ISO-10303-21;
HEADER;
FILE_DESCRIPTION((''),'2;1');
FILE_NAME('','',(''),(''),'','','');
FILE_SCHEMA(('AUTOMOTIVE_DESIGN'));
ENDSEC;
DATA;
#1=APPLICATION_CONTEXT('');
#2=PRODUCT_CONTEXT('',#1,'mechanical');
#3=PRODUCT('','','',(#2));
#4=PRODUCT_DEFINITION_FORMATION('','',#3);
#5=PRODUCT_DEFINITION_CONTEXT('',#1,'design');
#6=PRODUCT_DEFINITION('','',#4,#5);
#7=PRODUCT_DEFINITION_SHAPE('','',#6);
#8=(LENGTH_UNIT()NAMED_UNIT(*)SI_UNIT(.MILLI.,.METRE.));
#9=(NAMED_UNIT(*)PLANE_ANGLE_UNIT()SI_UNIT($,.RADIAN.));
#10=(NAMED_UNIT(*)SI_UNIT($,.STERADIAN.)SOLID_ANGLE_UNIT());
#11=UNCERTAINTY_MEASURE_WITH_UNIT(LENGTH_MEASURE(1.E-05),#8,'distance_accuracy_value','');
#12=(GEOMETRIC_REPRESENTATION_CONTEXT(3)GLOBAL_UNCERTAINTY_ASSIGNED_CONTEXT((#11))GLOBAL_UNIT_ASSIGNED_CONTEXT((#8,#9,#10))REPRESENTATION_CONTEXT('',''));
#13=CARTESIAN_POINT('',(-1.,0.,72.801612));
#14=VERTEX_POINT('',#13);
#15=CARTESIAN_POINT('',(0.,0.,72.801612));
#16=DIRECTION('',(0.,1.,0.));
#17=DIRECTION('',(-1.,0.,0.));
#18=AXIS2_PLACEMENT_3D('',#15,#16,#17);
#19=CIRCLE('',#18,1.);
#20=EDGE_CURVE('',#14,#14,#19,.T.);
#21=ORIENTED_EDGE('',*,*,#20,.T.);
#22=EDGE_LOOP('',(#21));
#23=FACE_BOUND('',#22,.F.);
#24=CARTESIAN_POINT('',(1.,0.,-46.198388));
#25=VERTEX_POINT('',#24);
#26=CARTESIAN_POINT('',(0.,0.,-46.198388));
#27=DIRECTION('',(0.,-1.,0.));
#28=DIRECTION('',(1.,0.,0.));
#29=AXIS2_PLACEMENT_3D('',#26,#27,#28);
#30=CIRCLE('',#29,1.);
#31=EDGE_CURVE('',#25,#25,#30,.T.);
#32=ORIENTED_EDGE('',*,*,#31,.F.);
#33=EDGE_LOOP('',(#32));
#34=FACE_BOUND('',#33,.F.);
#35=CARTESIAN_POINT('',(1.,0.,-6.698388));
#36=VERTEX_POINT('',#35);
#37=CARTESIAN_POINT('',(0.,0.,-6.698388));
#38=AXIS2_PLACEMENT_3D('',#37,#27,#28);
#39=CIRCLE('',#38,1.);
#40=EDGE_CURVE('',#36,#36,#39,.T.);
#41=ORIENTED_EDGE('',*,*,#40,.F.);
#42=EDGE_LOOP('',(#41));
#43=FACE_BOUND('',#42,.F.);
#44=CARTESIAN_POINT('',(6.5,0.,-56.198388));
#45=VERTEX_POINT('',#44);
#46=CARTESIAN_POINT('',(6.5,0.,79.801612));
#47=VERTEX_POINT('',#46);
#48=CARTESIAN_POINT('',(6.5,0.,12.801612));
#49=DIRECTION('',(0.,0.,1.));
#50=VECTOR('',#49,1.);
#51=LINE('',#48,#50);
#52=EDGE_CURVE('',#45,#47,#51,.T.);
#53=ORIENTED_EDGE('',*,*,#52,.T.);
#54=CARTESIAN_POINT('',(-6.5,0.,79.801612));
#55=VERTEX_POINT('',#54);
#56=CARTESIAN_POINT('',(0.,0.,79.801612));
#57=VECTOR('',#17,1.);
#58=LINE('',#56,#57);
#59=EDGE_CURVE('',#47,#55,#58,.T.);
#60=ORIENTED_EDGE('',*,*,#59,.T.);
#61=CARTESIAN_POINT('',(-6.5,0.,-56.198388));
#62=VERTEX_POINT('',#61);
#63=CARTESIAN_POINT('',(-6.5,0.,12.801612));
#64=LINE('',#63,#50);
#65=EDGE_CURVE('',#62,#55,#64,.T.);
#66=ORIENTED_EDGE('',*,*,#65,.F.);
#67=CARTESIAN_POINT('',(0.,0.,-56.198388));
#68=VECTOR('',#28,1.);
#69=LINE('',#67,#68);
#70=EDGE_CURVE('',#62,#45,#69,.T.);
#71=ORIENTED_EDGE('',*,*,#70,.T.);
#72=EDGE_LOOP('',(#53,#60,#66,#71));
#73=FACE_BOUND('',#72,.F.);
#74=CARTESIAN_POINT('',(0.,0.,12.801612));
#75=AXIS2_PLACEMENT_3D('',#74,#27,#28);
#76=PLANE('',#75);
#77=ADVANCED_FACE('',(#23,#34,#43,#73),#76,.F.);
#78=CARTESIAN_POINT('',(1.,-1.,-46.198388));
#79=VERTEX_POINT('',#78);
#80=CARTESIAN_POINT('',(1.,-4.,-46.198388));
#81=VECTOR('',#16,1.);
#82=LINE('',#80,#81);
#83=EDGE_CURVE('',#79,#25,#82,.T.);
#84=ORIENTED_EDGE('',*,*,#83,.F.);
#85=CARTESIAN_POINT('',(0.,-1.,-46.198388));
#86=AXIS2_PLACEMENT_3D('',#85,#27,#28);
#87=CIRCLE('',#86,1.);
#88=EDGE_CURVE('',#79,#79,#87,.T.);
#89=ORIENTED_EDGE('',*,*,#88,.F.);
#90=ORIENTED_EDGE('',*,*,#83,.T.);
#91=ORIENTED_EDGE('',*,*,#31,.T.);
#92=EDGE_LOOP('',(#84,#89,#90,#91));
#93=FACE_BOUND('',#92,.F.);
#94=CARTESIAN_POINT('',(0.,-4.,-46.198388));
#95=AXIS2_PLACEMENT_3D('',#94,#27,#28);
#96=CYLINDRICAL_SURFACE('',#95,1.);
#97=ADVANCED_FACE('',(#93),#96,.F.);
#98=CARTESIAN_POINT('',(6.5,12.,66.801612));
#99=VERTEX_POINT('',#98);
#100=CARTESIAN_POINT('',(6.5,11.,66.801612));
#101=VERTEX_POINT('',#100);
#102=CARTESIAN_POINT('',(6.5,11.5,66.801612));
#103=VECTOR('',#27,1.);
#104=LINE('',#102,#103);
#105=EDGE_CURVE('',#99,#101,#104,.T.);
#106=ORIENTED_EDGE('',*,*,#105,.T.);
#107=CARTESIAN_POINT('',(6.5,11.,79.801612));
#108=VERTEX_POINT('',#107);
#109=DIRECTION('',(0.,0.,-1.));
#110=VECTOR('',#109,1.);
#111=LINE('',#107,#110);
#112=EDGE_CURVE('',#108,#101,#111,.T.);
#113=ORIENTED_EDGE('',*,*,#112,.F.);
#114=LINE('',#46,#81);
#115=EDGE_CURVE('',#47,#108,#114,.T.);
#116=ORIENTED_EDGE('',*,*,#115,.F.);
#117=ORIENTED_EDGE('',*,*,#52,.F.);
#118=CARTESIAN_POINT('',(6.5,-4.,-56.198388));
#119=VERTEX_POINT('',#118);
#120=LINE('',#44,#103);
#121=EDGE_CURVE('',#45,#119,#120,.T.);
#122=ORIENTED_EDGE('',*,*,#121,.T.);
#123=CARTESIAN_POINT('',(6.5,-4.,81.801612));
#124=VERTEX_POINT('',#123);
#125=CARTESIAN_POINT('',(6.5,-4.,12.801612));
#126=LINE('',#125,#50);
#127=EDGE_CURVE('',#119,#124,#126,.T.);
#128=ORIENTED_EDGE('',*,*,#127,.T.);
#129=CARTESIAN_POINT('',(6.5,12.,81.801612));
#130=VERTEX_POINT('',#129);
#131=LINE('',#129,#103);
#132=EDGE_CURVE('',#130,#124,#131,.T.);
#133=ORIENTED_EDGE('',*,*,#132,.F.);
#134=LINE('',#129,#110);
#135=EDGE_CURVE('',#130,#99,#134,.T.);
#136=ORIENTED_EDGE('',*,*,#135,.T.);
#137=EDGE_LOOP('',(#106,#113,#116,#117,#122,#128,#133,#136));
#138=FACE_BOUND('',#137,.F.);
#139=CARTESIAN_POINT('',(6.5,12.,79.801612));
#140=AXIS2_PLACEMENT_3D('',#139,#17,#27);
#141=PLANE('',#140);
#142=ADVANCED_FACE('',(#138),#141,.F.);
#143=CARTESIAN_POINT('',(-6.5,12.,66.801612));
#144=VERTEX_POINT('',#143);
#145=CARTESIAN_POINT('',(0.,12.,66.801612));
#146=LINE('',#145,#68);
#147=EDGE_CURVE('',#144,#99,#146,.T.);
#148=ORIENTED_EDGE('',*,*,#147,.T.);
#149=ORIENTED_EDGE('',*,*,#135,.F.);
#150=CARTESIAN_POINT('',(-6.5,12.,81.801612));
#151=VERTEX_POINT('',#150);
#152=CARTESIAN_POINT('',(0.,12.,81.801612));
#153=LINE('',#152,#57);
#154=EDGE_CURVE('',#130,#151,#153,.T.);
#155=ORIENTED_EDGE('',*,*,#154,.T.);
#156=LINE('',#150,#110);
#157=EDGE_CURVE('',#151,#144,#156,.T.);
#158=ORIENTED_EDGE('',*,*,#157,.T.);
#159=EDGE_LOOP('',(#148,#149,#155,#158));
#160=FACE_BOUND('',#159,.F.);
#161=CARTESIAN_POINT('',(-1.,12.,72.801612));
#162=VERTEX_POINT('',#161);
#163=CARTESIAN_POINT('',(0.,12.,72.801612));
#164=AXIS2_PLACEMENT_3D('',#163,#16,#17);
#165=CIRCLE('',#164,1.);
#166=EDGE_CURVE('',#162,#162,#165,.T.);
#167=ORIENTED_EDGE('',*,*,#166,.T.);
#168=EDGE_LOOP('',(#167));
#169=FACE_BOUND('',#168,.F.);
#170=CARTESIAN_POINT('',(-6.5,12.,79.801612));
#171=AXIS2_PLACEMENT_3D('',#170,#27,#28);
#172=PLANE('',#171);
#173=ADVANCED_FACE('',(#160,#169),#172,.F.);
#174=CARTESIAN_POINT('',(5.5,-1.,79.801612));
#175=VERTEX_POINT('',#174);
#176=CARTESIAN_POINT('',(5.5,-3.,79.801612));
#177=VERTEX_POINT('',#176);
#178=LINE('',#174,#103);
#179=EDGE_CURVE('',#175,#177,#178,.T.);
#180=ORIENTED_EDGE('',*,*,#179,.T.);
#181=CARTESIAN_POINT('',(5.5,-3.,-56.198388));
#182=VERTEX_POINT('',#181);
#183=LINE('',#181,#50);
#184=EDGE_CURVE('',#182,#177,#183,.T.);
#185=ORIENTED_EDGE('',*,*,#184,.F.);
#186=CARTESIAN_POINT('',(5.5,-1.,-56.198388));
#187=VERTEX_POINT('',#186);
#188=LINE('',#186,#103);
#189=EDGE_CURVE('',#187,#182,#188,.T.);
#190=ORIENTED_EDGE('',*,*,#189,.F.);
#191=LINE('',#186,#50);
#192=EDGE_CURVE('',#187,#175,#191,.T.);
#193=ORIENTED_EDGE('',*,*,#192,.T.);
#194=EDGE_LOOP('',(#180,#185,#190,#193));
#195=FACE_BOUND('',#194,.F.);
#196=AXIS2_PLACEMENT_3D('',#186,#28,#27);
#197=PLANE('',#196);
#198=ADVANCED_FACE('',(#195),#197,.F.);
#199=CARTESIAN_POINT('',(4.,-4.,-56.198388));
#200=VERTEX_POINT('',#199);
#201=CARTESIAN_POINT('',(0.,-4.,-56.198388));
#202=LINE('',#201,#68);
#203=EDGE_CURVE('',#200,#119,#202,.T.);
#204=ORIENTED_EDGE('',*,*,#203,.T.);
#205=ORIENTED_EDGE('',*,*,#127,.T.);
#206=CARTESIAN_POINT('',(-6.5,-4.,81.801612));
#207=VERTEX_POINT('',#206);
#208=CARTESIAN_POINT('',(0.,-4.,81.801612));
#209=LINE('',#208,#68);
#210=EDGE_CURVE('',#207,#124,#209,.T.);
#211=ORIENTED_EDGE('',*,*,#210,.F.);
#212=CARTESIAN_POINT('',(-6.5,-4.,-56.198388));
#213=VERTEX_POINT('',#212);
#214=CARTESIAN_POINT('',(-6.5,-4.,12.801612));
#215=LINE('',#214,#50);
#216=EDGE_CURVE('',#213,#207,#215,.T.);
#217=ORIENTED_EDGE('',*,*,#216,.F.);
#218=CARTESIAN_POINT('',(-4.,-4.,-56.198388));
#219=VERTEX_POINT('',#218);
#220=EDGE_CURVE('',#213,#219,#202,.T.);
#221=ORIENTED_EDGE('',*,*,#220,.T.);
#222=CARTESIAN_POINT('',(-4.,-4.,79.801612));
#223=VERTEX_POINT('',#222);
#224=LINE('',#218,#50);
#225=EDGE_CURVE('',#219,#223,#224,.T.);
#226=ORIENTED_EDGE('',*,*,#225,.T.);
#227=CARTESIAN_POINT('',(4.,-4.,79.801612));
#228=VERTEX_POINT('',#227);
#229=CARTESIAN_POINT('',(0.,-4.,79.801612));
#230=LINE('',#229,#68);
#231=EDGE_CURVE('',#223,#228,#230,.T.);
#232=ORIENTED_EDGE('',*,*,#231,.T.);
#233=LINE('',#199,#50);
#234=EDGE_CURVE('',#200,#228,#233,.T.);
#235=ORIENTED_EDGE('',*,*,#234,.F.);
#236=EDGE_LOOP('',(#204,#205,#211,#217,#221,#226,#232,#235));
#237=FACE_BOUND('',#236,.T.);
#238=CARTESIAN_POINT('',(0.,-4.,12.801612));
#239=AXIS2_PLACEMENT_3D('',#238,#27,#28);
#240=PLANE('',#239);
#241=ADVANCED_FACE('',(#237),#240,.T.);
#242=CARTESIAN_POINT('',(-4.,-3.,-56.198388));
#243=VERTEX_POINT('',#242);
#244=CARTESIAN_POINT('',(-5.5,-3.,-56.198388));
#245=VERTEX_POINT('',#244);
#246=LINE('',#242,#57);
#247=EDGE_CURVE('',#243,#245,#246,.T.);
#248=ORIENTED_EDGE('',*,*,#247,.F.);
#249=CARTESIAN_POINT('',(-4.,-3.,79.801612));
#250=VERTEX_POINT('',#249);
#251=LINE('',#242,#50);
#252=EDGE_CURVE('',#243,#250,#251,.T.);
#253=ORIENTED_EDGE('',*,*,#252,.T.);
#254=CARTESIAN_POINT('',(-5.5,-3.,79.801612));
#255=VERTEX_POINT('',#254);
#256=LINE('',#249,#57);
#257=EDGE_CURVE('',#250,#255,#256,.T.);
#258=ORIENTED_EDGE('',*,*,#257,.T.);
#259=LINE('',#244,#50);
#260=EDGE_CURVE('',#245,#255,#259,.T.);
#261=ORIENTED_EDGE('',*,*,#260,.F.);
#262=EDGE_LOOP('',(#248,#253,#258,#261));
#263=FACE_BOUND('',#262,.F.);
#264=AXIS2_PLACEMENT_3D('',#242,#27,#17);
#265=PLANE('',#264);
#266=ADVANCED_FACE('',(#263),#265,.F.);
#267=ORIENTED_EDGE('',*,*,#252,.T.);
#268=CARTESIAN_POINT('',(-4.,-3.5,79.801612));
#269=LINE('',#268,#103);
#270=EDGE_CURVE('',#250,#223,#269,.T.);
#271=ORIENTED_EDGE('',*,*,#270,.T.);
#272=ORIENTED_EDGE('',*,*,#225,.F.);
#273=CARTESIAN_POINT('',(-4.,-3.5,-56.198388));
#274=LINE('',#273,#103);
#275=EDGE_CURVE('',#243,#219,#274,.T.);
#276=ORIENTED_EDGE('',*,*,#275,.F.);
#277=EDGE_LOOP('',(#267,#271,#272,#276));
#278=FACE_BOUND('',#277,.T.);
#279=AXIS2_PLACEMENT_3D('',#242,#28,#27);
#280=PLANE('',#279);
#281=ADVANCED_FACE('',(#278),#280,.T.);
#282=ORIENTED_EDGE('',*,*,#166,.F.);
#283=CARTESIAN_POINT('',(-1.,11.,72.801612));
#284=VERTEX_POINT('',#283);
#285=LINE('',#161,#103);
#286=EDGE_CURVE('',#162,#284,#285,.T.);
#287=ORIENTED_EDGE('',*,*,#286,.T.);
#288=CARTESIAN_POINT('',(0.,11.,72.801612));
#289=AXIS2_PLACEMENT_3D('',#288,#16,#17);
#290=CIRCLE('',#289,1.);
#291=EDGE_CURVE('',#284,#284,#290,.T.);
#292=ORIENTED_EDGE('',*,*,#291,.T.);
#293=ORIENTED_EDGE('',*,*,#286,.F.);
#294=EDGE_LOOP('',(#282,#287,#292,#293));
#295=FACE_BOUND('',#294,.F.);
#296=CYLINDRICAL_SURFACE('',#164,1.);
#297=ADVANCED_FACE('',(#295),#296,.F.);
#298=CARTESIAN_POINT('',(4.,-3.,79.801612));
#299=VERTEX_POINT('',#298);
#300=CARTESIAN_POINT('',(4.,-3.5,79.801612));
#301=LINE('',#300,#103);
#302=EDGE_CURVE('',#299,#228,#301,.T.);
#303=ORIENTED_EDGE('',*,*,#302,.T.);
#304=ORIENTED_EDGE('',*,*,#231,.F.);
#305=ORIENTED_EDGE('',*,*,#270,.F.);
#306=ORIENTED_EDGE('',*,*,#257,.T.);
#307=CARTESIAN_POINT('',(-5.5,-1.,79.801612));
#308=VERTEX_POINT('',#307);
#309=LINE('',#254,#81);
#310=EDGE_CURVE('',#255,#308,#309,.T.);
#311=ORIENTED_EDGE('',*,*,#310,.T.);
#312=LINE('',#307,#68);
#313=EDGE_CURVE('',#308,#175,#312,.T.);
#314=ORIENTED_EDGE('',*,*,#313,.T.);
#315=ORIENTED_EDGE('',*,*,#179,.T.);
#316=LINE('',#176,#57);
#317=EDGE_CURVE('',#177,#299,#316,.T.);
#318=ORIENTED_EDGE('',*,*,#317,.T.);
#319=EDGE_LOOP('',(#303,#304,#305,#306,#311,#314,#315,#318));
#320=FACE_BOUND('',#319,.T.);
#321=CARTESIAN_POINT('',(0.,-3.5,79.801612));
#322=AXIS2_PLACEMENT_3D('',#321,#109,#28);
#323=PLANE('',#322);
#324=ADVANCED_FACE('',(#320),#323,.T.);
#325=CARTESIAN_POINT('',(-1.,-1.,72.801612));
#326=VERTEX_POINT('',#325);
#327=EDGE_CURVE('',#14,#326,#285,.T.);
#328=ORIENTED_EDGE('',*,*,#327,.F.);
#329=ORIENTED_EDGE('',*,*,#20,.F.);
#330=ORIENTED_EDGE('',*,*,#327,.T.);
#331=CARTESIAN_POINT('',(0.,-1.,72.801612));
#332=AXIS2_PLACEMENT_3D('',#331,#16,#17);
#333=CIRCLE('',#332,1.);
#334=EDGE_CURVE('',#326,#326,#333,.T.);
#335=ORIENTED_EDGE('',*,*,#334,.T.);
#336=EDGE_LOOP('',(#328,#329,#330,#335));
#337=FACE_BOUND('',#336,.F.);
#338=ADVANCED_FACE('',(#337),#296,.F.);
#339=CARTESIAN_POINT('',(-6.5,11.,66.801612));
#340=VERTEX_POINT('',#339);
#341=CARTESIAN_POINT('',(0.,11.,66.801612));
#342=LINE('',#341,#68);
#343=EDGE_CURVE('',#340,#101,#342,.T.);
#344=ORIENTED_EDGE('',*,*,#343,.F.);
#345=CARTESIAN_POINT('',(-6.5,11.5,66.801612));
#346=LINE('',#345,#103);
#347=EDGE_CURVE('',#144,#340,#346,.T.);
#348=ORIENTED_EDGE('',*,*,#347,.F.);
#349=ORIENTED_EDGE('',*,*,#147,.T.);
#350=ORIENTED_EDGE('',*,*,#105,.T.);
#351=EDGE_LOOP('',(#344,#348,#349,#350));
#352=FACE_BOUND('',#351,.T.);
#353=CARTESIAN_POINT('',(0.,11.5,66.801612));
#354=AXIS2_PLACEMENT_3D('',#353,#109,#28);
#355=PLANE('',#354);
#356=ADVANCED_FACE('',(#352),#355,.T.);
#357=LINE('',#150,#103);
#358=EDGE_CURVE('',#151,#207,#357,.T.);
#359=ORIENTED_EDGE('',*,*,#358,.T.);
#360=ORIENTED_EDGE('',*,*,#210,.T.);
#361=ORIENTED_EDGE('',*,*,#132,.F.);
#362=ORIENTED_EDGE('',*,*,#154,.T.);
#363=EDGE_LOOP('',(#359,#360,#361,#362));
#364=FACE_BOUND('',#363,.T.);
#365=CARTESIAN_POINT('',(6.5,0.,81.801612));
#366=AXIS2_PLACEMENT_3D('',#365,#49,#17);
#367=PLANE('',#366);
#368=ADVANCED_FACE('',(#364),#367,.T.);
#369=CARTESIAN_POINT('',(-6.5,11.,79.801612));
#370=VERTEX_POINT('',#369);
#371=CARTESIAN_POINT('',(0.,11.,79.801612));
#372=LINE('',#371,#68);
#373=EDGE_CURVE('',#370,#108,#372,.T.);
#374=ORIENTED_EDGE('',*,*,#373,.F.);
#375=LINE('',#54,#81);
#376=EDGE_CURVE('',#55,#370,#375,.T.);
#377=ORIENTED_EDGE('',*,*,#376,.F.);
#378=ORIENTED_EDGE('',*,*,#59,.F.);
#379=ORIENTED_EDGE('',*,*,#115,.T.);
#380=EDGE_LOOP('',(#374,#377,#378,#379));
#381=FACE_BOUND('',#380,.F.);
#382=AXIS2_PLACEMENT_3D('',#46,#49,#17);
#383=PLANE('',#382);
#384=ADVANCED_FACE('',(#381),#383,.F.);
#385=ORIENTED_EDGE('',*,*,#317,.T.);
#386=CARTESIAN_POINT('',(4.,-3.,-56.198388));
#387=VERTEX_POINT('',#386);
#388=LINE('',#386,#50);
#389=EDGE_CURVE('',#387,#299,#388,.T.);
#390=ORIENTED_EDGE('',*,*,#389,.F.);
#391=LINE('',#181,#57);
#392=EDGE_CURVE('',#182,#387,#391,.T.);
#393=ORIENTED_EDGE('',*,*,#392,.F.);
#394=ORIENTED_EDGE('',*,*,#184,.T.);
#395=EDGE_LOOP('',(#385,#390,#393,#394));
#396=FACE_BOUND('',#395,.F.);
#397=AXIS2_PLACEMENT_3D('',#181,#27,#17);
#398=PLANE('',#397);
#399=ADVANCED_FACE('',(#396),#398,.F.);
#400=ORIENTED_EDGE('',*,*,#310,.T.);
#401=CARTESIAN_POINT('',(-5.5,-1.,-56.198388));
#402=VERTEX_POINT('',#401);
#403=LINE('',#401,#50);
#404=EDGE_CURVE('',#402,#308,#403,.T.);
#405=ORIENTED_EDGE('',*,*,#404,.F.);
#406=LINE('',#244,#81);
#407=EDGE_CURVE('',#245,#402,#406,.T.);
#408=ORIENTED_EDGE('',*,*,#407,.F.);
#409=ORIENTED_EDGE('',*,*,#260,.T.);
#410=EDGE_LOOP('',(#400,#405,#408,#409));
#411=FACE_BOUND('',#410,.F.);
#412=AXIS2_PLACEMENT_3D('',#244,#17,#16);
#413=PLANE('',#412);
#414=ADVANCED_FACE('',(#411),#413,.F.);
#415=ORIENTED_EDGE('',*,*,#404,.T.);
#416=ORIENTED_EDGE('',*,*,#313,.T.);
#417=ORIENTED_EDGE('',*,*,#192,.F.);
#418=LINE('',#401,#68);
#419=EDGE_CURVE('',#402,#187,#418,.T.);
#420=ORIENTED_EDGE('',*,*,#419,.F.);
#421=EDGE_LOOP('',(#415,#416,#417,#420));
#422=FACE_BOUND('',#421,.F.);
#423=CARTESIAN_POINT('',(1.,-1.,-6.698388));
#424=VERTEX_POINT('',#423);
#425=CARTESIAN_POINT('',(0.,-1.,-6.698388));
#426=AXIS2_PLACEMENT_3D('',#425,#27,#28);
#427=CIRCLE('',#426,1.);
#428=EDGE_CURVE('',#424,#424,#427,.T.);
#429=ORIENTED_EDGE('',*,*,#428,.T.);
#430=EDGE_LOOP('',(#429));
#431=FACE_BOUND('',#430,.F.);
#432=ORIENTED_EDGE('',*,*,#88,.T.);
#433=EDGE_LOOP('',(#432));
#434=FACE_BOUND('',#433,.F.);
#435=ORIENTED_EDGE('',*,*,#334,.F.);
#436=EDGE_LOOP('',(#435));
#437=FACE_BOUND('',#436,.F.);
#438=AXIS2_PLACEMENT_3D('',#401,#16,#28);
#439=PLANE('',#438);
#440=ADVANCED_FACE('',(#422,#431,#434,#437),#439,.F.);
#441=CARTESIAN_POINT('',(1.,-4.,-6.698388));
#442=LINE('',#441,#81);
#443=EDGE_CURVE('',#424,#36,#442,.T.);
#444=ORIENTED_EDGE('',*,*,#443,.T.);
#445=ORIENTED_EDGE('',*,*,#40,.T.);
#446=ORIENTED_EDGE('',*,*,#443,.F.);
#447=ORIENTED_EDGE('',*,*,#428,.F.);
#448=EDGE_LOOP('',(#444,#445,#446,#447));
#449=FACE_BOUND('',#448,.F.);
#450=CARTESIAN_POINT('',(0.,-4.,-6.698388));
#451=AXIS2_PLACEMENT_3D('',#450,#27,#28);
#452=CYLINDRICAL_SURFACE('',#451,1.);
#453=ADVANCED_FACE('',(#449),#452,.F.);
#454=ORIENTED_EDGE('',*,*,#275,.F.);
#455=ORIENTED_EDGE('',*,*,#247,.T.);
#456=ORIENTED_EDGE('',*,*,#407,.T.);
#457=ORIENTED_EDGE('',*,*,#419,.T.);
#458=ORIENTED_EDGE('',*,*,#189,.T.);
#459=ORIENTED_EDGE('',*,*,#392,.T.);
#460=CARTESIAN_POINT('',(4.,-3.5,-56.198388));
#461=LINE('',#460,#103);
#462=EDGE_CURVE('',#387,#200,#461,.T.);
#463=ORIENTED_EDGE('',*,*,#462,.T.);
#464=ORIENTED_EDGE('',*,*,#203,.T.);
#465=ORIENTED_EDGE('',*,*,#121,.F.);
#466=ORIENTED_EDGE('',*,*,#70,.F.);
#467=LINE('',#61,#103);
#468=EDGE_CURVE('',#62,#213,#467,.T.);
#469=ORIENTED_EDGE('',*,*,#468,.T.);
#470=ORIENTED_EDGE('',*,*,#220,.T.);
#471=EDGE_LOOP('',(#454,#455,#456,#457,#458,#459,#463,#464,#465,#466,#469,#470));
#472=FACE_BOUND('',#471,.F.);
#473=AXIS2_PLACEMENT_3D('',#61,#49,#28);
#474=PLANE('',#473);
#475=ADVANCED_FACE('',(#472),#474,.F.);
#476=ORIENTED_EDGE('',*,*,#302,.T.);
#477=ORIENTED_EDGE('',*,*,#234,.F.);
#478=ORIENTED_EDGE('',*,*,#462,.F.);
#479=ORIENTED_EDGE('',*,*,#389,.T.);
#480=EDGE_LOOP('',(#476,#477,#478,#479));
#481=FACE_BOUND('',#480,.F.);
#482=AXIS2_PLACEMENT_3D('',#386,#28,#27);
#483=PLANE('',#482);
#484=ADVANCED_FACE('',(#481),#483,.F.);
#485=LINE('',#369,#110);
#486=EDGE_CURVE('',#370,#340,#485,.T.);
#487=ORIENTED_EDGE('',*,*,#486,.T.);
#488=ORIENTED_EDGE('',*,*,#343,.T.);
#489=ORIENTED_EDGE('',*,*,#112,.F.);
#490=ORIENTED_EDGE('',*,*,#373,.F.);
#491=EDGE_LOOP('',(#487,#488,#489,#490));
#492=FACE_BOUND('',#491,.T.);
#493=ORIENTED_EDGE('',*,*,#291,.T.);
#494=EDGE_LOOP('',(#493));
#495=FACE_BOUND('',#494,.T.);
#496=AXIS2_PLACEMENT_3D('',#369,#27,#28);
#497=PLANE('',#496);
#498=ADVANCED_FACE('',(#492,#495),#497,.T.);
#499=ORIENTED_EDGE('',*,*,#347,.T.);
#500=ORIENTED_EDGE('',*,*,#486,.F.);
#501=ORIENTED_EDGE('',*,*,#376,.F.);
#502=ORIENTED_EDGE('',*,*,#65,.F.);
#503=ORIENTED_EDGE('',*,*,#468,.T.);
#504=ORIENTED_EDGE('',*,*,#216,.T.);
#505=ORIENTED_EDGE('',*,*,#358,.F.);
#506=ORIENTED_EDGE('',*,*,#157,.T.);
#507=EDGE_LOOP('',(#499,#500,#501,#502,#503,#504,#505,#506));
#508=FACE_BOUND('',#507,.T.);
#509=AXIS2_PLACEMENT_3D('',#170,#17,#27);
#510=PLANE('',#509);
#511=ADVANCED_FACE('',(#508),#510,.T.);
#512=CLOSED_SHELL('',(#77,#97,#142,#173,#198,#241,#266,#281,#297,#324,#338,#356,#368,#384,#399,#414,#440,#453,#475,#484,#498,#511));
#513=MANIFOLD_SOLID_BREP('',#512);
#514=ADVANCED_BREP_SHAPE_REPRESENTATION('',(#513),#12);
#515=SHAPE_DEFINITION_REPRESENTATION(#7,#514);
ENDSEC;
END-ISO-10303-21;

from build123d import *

# Parameters (mm, degrees)
F0_W      = 13
F0_H      = 138
F1_DEPTH  = 4
F2_W      = 8
F2_H      = 1
F3_DEPTH  = 136
F4_R      = 1
F5_DEPTH  = 4.001
F6_R      = 1
F7_DEPTH  = 4.001
F8_W      = 13
F8_H      = 2
F9_DEPTH  = 12
F10_W     = 13
F10_H     = 1
F11_DEPTH = 13
F12_R     = 1
F13_DEPTH = 16.001


with BuildPart() as f1:
    # F0 (on Front) → F1 (new body)
    with BuildSketch(Plane.XZ):
        with Locations((0, 12.801612)):
            Rectangle(F0_W, F0_H)
    extrude(amount=F1_DEPTH)

    # F2 (on face) → F3 (cut)
    with BuildSketch(Plane(origin=(0, 0, -56.198388), x_dir=(1, 0, 0), z_dir=(0, 0, -1))):
        with Locations((0, 3.5)):
            Rectangle(F2_W, F2_H)
        Polygon((-5.5, 1), (-4, 1), (4, 1), (5.5, 1), (5.5, 3), (4, 3), (-4, 3), (-5.5, 3), align=None)
    extrude(amount=-F3_DEPTH, mode=Mode.SUBTRACT)

    # F4 (on face) → F5 (cut, through all)
    with BuildSketch(Plane.XZ.offset(4)):
        with Locations((0, -46.198388)):
            Circle(F4_R)
    extrude(amount=-F5_DEPTH, mode=Mode.SUBTRACT)

    # F6 (on face) → F7 (cut, through all)
    with BuildSketch(Plane.XZ.offset(4)):
        with Locations((0, -6.698388)):
            Circle(F6_R)
    extrude(amount=-F7_DEPTH, mode=Mode.SUBTRACT)

    # F8 (on face) → F9 (join)
    with BuildSketch(Plane(origin=(0, 0, 0), x_dir=(-1, 0, 0), z_dir=(0, 1, 0))):
        with Locations((0, 80.801612)):
            Rectangle(F8_W, F8_H)
    extrude(amount=F9_DEPTH)

    # F10 (on face) → F11 (join)
    with BuildSketch(Plane(origin=(0, 0, 79.801612), x_dir=(1, 0, 0), z_dir=(0, 0, -1))):
        with Locations((0, -11.5)):
            Rectangle(F10_W, F10_H)
    extrude(amount=F11_DEPTH)

    # F12 (on face) → F13 (cut, through all)
    with BuildSketch(Plane(origin=(0, 12, 0), x_dir=(-1, 0, 0), z_dir=(0, 1, 0))):
        with Locations((0, 72.801612)):
            Circle(F12_R)
    extrude(amount=-F13_DEPTH, mode=Mode.SUBTRACT)


solid = f1.part
